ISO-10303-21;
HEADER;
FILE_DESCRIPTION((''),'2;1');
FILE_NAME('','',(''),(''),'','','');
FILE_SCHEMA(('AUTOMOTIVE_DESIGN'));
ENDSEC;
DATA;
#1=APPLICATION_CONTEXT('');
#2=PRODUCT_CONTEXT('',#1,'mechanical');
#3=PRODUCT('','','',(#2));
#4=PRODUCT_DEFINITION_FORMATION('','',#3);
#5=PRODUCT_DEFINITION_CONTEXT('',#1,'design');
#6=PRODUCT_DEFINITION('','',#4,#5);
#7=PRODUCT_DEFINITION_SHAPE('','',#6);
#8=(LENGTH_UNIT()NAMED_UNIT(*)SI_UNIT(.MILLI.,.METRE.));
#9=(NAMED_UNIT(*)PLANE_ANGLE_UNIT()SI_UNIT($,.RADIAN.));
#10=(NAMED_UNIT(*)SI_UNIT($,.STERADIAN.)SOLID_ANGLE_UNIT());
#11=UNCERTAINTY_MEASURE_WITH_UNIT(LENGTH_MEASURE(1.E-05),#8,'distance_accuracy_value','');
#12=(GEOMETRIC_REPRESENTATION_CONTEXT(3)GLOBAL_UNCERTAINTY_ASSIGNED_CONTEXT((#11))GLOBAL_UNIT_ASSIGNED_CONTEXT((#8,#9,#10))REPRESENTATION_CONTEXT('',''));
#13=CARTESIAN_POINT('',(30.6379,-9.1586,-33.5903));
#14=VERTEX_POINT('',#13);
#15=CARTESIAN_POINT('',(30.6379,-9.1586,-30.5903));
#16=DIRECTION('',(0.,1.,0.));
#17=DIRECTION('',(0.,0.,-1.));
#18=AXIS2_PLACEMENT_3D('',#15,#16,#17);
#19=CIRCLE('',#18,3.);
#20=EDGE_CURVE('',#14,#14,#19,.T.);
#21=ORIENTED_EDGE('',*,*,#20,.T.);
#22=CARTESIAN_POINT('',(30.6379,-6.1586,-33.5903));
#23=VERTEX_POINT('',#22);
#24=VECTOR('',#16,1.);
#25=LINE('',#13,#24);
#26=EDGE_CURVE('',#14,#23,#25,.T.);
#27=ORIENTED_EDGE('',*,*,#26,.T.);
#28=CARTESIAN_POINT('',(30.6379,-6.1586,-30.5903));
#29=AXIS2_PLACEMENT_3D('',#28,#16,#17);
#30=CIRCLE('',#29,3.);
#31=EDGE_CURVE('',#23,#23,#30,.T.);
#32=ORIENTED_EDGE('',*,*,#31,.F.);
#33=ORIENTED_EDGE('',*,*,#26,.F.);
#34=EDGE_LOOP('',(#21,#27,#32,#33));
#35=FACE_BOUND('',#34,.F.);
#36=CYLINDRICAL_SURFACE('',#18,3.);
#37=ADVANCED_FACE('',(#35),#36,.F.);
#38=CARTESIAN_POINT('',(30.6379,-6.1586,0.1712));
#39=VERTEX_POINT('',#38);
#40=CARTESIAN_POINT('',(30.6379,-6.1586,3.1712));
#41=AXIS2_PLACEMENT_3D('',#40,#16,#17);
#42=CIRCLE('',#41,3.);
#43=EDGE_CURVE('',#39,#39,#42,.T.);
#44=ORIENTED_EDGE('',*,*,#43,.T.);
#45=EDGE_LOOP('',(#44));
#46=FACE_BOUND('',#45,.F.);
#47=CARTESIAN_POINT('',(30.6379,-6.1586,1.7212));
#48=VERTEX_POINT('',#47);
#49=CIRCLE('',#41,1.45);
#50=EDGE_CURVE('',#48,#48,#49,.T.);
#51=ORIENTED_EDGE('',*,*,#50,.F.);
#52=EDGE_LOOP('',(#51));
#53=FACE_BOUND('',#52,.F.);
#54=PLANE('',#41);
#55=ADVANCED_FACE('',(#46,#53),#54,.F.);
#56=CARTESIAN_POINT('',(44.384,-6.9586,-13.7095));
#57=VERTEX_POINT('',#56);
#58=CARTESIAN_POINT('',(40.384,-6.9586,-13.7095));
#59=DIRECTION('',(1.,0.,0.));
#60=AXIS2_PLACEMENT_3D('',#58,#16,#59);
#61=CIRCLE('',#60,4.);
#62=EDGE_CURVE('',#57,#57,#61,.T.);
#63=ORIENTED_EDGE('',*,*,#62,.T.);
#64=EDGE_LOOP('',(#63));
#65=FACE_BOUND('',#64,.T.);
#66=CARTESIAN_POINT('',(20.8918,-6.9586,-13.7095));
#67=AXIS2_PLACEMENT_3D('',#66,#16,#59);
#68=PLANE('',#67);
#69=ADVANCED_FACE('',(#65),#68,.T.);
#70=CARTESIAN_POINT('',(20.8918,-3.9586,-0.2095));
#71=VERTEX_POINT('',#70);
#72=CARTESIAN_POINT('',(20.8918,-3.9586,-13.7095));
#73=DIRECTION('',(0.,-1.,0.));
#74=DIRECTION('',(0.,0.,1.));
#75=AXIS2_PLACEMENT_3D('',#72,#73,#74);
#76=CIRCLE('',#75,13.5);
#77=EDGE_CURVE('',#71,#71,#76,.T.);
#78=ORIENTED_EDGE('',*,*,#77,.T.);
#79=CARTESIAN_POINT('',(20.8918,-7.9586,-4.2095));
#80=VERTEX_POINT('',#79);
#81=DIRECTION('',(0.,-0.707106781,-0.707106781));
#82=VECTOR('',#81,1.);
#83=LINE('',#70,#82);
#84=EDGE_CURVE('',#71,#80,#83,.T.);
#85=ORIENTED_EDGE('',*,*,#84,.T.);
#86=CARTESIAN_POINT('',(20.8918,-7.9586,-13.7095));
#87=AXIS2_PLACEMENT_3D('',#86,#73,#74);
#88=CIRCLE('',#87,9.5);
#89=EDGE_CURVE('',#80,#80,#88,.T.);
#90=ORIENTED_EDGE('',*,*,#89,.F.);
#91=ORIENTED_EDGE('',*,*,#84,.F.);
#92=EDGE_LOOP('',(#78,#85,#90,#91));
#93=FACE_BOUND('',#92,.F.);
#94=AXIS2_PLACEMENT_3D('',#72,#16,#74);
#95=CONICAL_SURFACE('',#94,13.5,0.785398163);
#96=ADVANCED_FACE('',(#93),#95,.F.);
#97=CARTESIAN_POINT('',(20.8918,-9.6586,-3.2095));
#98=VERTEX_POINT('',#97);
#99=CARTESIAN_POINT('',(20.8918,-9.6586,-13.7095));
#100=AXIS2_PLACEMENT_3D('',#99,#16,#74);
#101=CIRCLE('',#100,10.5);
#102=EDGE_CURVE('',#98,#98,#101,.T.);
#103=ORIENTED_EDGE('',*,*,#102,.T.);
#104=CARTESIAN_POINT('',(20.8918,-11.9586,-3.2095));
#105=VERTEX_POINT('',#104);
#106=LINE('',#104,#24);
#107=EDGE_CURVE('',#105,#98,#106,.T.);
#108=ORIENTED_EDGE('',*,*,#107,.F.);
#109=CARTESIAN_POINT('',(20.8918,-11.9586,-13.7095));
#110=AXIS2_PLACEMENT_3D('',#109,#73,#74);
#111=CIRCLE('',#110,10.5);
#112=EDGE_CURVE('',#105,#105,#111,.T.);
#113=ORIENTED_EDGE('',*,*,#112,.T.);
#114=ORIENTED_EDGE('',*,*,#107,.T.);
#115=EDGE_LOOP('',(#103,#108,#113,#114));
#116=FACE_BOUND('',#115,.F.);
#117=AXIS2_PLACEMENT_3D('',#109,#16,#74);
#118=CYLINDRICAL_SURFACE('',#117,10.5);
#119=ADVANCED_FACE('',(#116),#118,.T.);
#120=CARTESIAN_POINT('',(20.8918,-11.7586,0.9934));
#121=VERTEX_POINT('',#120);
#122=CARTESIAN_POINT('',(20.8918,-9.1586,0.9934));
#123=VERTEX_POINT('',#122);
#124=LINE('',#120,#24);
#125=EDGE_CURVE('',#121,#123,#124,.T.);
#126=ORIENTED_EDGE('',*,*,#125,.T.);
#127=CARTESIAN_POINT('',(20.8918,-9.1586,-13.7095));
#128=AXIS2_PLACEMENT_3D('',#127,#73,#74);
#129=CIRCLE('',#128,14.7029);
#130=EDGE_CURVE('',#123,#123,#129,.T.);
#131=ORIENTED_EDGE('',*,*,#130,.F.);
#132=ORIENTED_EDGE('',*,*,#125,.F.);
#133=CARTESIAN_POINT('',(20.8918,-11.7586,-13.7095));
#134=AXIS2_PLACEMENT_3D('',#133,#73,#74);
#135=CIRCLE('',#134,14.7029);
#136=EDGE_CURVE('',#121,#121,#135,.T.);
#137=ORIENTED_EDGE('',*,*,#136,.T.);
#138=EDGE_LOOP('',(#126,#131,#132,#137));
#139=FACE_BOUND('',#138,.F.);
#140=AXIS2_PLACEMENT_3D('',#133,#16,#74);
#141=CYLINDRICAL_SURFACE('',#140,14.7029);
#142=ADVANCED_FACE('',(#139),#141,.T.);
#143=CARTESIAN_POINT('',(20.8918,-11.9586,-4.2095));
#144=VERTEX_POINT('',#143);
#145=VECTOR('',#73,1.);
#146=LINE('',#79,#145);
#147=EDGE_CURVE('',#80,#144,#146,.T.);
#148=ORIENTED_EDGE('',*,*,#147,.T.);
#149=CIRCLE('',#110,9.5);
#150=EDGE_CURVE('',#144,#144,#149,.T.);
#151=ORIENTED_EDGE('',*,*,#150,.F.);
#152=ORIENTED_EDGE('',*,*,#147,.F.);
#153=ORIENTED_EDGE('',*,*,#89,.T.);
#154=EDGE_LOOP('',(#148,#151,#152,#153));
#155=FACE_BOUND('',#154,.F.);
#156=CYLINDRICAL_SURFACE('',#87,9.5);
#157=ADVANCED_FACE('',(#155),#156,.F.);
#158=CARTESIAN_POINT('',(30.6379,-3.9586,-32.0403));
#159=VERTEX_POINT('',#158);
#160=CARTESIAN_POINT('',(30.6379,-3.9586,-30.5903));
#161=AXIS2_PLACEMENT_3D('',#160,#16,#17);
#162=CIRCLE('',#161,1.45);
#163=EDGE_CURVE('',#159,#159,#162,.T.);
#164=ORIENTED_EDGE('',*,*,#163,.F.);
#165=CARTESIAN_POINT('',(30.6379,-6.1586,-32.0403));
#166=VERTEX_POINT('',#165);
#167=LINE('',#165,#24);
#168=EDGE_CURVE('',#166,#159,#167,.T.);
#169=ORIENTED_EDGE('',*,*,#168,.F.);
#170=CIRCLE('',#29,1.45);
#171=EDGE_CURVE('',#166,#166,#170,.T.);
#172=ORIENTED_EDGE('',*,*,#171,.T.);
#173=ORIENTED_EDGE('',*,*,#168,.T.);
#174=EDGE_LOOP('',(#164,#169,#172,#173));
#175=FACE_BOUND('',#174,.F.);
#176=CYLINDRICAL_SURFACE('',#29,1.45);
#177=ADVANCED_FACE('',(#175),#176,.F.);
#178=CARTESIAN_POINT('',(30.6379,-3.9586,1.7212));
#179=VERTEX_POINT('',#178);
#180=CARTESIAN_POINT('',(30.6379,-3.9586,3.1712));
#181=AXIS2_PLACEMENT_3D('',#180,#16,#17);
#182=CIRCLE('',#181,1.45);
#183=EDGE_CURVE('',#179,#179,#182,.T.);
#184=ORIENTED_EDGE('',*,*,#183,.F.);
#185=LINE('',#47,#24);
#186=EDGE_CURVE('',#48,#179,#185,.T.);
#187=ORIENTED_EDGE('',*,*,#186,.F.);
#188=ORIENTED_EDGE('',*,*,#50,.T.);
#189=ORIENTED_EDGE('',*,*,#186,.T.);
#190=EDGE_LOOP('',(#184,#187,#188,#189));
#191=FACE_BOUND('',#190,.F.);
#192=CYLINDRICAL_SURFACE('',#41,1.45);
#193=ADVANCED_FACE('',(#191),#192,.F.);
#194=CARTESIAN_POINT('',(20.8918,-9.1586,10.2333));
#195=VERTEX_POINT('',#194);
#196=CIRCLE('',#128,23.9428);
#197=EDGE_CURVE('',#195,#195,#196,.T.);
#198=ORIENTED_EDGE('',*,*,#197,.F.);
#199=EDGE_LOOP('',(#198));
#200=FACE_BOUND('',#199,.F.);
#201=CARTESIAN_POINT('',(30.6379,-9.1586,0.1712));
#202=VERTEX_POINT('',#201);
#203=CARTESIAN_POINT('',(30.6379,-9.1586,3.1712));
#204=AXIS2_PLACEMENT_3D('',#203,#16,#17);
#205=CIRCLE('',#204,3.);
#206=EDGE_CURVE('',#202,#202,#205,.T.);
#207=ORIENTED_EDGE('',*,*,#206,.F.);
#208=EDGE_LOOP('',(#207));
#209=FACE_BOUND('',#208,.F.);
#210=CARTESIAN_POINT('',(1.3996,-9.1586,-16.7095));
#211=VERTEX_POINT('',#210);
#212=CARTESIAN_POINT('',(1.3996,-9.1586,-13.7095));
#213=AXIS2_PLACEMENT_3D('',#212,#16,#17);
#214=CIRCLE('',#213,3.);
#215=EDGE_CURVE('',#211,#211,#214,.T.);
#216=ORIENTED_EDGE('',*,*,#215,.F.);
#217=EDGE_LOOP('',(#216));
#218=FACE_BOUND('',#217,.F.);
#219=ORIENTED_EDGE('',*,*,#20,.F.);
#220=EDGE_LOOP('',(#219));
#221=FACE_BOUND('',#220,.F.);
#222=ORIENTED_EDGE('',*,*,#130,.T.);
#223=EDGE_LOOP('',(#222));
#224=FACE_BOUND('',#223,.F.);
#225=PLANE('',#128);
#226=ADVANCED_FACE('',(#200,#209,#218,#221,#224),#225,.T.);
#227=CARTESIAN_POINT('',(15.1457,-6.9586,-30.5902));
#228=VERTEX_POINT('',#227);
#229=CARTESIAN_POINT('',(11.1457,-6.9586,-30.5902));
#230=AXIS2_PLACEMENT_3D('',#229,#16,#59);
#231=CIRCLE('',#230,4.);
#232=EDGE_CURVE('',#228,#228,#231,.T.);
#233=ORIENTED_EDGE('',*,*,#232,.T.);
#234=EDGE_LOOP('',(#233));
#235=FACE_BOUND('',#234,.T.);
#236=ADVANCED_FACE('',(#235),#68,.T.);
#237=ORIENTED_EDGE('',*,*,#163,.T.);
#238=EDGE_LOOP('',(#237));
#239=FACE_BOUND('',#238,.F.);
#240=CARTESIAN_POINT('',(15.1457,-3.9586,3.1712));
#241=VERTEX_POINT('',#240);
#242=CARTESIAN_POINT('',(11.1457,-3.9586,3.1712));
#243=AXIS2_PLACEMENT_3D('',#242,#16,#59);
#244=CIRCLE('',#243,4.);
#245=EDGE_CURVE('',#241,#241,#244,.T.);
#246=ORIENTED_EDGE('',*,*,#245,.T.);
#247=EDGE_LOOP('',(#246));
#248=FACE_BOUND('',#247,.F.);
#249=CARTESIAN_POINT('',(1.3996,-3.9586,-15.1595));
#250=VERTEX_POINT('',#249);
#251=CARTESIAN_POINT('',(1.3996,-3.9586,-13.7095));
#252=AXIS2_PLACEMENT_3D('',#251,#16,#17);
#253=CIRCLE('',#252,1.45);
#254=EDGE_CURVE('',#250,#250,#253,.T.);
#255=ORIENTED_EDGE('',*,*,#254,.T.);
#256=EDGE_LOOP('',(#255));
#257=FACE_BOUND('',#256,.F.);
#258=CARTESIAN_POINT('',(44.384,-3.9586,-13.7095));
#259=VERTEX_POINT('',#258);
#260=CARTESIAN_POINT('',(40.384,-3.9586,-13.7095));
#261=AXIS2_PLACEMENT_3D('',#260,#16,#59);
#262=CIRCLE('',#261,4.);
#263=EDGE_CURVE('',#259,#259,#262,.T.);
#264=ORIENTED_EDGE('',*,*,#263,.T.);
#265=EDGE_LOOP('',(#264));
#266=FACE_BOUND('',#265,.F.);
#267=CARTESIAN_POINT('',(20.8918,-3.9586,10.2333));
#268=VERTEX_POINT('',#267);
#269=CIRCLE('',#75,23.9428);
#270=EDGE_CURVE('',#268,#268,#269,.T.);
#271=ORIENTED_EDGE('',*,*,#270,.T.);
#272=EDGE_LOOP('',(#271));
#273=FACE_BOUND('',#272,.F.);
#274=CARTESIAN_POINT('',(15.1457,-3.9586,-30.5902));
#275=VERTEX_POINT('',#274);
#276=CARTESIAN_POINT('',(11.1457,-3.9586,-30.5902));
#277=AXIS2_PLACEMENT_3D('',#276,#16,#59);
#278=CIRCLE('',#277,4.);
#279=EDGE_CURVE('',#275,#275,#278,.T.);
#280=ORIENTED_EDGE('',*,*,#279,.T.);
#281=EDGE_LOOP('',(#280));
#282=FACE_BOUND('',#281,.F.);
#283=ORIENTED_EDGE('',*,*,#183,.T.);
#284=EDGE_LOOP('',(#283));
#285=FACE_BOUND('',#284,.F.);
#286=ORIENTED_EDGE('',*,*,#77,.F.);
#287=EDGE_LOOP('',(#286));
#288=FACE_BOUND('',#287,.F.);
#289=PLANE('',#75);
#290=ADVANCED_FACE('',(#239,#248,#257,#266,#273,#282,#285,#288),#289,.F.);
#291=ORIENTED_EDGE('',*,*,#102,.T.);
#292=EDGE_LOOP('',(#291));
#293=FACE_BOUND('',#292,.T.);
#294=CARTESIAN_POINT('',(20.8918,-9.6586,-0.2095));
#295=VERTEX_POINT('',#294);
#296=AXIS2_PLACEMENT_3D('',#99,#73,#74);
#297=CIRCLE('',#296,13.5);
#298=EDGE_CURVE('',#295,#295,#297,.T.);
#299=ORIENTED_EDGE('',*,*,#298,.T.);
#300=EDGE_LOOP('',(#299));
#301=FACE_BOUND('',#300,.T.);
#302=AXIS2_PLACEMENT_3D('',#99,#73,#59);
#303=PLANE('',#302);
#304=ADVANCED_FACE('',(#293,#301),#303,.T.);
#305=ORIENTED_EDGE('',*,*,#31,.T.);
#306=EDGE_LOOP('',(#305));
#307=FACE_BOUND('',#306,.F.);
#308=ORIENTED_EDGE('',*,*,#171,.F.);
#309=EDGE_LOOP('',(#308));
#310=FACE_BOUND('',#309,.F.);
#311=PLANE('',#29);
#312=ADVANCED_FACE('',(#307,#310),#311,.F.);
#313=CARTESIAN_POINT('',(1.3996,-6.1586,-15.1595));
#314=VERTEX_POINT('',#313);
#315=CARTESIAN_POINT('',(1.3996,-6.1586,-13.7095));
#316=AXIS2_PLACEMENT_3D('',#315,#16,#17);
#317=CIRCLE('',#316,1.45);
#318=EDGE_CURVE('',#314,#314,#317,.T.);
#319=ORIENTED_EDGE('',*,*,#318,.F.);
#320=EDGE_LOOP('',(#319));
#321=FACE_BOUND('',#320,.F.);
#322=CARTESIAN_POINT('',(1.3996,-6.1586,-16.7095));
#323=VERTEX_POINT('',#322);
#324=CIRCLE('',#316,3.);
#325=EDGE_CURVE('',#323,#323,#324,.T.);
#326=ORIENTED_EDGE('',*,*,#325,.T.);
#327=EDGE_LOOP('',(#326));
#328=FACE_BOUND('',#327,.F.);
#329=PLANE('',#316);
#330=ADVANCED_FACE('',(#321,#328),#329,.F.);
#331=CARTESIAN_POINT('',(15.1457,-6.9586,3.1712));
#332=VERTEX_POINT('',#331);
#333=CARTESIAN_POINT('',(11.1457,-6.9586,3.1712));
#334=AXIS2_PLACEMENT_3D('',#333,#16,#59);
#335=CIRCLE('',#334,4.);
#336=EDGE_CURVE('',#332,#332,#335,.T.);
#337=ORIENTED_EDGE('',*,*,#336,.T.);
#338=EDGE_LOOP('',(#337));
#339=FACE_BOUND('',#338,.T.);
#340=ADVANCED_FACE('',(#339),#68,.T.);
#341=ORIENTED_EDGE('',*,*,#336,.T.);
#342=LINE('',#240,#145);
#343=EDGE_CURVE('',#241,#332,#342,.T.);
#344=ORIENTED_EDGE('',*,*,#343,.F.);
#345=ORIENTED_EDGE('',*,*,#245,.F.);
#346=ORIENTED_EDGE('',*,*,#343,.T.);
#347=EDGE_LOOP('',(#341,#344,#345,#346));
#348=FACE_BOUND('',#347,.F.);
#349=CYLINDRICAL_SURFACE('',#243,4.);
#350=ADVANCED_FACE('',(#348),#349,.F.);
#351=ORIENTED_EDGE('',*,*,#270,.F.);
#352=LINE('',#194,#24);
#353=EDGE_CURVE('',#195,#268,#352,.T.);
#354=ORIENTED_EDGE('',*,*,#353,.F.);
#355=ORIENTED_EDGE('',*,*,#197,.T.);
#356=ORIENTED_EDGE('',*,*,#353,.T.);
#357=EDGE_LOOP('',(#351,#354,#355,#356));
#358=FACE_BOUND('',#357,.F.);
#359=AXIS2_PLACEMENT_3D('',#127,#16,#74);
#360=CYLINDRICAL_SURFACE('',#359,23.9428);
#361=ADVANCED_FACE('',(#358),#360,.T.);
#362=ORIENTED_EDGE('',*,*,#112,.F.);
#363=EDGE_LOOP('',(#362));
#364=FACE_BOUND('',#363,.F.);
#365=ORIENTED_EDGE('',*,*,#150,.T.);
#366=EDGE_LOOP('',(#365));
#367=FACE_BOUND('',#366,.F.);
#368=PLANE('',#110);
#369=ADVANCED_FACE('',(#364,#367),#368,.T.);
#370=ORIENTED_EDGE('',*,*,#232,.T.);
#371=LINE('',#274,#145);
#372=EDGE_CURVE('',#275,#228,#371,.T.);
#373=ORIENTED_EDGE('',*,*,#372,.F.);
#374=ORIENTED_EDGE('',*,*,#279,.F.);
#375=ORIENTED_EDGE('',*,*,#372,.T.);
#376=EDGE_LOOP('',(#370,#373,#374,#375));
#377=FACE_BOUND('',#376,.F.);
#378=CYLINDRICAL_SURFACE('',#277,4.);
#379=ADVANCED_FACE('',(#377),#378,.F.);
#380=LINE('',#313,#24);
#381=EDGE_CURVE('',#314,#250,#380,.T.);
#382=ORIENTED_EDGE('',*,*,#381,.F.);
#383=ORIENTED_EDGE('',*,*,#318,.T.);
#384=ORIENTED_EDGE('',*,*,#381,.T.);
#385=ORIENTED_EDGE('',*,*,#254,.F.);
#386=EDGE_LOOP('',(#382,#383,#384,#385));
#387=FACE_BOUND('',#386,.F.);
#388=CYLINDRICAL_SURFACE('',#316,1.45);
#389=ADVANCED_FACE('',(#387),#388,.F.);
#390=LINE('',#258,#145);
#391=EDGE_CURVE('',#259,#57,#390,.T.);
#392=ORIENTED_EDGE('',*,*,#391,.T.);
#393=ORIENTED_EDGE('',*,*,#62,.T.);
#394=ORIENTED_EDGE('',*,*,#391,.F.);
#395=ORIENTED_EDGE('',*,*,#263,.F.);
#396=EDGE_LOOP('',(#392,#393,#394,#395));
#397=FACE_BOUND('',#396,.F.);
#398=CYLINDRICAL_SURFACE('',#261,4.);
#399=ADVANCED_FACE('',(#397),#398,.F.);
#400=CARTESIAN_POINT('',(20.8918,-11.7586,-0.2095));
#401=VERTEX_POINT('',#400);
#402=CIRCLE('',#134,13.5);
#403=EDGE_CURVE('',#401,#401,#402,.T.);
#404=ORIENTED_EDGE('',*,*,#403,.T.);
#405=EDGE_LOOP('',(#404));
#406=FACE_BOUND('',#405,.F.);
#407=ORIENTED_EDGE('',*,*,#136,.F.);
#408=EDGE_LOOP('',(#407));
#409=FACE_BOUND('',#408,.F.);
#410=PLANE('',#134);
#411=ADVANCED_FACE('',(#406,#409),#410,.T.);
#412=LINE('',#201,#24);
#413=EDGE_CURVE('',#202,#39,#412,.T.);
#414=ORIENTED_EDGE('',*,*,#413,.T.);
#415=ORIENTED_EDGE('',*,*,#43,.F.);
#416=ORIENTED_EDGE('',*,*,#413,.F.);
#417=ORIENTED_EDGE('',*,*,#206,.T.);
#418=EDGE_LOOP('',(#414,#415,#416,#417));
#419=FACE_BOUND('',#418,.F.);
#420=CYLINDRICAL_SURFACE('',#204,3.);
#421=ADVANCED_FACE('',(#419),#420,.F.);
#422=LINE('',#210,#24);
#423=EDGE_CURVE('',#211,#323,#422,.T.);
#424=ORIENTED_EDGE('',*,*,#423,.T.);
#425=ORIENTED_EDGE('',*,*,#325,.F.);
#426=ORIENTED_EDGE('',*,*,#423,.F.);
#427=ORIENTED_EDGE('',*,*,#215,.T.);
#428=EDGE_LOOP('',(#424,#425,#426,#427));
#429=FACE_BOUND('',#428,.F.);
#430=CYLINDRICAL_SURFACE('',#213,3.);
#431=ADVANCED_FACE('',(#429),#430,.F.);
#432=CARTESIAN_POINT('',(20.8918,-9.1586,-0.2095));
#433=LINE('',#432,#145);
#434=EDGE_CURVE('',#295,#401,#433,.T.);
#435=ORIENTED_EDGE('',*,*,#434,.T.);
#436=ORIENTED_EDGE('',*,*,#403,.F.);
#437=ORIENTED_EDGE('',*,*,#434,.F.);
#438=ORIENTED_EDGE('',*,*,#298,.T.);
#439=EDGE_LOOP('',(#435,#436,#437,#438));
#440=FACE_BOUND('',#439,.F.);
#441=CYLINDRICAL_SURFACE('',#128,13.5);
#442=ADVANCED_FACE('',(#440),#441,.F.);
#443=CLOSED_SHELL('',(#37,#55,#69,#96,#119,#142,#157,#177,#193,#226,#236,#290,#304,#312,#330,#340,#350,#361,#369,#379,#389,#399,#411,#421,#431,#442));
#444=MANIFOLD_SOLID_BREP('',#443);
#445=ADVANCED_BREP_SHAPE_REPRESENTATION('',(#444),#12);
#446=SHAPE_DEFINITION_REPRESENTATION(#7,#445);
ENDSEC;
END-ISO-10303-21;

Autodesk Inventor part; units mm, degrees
ref_plane "YZ Plane" through (0, 0, 0) normal (1, 0, 0) x (0, 1, 0)
ref_plane "XZ Plane" through (0, 0, 0) normal (0, 1, 0) x (-1, 0, 0)
ref_plane "XY Plane" through (0, 0, 0) normal (0, 0, 1) x (1, 0, 0)
ref_plane "Arbeitsebene1" through (20.8918, -10.7106, -13.7095) normal (1, 0, 0) x (0, 1, 0)
sketch "Skizze1" plane through (20.8918, -10.7106, -13.7095) normal (1, 0, 0) x (0, 1, 0)
  circle A0 centre (0.052, 12) radius 1.5 construction
  line L0 (13.1827, 0) -> (-4.1221, 0)
  line L1 (-1.248, 10.5) -> (1.552, 10.5)
  line L2 (1.552, 10.5) -> (1.552, 13.5)
  line L3 (1.552, 13.5) -> (-1.048, 13.5)
  line L4 (1.552, 23.9428) -> (6.752, 23.9428)
  line L5 (6.752, 23.9428) -> (6.752, 13.5)
  line L6 (2.752, 9.5) -> (-1.248, 9.5)
  line L7 (-1.248, 9.5) -> (-1.248, 10.5)
  line L8 (6.752, 13.5) -> (2.752, 9.5)
  line L9 (-1.048, 13.5) -> (-1.048, 14.7029)
  line L10 (1.05, -14.9922) -> (1.05, 14.9922) construction
  line L11 (-1.4, -14.9922) -> (-1.4, 14.9922) construction
  line L12 (1.05, 14.9029) -> (-1.4, 14.9029) construction
  line L13 (-1.048, 14.7029) -> (1.552, 14.7029)
  line L14 (1.552, 14.7029) -> (1.552, 23.9428)
  line L15 (-2.25, 23.9428) -> (1.15, 23.9428)
  point P0 (10.7106, 13.7095)
  point P1 (6.752, 9.5)
  point P2 (-1.048, 14.9029)
  dimension "d0" = 3
  dimension "d1" = 12
  dimension "d4" = 4
  dimension "d5" = 4
  dimension "d6" = 1
  dimension "d7" = 1.3
  dimension "d8" = 2.6
  dimension "d10" = 4
  dimension "d11" = 0.2
  dimension "d20" = 0
revolve "Umdrehung1" add sketch "Skizze1" angle 360 about axis through (20.8918, 2.4721, -13.7095) along (0, -1, 0)
sketch "Skizze2" plane through (20.8918, -9.1586, -13.7095) normal (0, -1, 0) x (1, 0, 0)
  circle A0 centre (9.7461, 16.8807) radius 4 projected
  circle A1 centre (-19.4922, 0) radius 4 projected
  circle A2 centre (9.7461, -16.8807) radius 4 projected
  point P0 (-20.8918, 13.7095)
hole "Bohrung1" at (30.6379, -9.1586, 3.1712) at (30.6379, -9.1586, -30.5903) at (1.3996, -9.1586, -13.7095) direction (0, 1, 0) diameter 2.9 depth 12 tip angle 118 counterbore diameter 6 counterbore depth 3
sketch "Skizze3" plane through (20.8918, -3.9586, -13.7095) normal (0, 1, 0) x (1, 0, 0)
  circle A0 centre (0, 0) radius 13.5 projected
  circle A1 centre (9.7461, -16.8807) radius 1.45 projected
  circle A2 centre (0, 0) radius 19.4922 construction
  line L0 (-9.7461, -16.8807) -> (-9.7461, 16.8807) construction
  line L1 (-9.7461, 16.8807) -> (19.4922, 0) construction
  line L2 (19.4922, 0) -> (-9.7461, -16.8807) construction
  circle A3 centre (-9.7461, -16.8807) radius 4
  circle A4 centre (-9.7461, 16.8807) radius 4
  circle A5 centre (19.4922, 0) radius 4
  point P0 (-20.8918, -13.7095)
  dimension "d21" = 8
  dimension "d22" = 8
  dimension "d23" = 8
extrude "Extrusion1" cut sketch "Skizze3" against normal blind 3 contours A3 | A4 | A5
sketch "Skizze4" plane through (20.8918, -9.1586, -13.7095) normal (0, -1, 0) x (1, 0, 0)
  circle A0 centre (0, 0) radius 13.5 projected
  circle A1 centre (0, 0) radius 10.5 projected
  point P0 (-20.8918, 13.7095)
extrude "Extrusion2" add sketch "Skizze4" along normal blind 0.5
equation "\"d5\" = d4"
properties part number "01_SMLM_Holder_Base"
